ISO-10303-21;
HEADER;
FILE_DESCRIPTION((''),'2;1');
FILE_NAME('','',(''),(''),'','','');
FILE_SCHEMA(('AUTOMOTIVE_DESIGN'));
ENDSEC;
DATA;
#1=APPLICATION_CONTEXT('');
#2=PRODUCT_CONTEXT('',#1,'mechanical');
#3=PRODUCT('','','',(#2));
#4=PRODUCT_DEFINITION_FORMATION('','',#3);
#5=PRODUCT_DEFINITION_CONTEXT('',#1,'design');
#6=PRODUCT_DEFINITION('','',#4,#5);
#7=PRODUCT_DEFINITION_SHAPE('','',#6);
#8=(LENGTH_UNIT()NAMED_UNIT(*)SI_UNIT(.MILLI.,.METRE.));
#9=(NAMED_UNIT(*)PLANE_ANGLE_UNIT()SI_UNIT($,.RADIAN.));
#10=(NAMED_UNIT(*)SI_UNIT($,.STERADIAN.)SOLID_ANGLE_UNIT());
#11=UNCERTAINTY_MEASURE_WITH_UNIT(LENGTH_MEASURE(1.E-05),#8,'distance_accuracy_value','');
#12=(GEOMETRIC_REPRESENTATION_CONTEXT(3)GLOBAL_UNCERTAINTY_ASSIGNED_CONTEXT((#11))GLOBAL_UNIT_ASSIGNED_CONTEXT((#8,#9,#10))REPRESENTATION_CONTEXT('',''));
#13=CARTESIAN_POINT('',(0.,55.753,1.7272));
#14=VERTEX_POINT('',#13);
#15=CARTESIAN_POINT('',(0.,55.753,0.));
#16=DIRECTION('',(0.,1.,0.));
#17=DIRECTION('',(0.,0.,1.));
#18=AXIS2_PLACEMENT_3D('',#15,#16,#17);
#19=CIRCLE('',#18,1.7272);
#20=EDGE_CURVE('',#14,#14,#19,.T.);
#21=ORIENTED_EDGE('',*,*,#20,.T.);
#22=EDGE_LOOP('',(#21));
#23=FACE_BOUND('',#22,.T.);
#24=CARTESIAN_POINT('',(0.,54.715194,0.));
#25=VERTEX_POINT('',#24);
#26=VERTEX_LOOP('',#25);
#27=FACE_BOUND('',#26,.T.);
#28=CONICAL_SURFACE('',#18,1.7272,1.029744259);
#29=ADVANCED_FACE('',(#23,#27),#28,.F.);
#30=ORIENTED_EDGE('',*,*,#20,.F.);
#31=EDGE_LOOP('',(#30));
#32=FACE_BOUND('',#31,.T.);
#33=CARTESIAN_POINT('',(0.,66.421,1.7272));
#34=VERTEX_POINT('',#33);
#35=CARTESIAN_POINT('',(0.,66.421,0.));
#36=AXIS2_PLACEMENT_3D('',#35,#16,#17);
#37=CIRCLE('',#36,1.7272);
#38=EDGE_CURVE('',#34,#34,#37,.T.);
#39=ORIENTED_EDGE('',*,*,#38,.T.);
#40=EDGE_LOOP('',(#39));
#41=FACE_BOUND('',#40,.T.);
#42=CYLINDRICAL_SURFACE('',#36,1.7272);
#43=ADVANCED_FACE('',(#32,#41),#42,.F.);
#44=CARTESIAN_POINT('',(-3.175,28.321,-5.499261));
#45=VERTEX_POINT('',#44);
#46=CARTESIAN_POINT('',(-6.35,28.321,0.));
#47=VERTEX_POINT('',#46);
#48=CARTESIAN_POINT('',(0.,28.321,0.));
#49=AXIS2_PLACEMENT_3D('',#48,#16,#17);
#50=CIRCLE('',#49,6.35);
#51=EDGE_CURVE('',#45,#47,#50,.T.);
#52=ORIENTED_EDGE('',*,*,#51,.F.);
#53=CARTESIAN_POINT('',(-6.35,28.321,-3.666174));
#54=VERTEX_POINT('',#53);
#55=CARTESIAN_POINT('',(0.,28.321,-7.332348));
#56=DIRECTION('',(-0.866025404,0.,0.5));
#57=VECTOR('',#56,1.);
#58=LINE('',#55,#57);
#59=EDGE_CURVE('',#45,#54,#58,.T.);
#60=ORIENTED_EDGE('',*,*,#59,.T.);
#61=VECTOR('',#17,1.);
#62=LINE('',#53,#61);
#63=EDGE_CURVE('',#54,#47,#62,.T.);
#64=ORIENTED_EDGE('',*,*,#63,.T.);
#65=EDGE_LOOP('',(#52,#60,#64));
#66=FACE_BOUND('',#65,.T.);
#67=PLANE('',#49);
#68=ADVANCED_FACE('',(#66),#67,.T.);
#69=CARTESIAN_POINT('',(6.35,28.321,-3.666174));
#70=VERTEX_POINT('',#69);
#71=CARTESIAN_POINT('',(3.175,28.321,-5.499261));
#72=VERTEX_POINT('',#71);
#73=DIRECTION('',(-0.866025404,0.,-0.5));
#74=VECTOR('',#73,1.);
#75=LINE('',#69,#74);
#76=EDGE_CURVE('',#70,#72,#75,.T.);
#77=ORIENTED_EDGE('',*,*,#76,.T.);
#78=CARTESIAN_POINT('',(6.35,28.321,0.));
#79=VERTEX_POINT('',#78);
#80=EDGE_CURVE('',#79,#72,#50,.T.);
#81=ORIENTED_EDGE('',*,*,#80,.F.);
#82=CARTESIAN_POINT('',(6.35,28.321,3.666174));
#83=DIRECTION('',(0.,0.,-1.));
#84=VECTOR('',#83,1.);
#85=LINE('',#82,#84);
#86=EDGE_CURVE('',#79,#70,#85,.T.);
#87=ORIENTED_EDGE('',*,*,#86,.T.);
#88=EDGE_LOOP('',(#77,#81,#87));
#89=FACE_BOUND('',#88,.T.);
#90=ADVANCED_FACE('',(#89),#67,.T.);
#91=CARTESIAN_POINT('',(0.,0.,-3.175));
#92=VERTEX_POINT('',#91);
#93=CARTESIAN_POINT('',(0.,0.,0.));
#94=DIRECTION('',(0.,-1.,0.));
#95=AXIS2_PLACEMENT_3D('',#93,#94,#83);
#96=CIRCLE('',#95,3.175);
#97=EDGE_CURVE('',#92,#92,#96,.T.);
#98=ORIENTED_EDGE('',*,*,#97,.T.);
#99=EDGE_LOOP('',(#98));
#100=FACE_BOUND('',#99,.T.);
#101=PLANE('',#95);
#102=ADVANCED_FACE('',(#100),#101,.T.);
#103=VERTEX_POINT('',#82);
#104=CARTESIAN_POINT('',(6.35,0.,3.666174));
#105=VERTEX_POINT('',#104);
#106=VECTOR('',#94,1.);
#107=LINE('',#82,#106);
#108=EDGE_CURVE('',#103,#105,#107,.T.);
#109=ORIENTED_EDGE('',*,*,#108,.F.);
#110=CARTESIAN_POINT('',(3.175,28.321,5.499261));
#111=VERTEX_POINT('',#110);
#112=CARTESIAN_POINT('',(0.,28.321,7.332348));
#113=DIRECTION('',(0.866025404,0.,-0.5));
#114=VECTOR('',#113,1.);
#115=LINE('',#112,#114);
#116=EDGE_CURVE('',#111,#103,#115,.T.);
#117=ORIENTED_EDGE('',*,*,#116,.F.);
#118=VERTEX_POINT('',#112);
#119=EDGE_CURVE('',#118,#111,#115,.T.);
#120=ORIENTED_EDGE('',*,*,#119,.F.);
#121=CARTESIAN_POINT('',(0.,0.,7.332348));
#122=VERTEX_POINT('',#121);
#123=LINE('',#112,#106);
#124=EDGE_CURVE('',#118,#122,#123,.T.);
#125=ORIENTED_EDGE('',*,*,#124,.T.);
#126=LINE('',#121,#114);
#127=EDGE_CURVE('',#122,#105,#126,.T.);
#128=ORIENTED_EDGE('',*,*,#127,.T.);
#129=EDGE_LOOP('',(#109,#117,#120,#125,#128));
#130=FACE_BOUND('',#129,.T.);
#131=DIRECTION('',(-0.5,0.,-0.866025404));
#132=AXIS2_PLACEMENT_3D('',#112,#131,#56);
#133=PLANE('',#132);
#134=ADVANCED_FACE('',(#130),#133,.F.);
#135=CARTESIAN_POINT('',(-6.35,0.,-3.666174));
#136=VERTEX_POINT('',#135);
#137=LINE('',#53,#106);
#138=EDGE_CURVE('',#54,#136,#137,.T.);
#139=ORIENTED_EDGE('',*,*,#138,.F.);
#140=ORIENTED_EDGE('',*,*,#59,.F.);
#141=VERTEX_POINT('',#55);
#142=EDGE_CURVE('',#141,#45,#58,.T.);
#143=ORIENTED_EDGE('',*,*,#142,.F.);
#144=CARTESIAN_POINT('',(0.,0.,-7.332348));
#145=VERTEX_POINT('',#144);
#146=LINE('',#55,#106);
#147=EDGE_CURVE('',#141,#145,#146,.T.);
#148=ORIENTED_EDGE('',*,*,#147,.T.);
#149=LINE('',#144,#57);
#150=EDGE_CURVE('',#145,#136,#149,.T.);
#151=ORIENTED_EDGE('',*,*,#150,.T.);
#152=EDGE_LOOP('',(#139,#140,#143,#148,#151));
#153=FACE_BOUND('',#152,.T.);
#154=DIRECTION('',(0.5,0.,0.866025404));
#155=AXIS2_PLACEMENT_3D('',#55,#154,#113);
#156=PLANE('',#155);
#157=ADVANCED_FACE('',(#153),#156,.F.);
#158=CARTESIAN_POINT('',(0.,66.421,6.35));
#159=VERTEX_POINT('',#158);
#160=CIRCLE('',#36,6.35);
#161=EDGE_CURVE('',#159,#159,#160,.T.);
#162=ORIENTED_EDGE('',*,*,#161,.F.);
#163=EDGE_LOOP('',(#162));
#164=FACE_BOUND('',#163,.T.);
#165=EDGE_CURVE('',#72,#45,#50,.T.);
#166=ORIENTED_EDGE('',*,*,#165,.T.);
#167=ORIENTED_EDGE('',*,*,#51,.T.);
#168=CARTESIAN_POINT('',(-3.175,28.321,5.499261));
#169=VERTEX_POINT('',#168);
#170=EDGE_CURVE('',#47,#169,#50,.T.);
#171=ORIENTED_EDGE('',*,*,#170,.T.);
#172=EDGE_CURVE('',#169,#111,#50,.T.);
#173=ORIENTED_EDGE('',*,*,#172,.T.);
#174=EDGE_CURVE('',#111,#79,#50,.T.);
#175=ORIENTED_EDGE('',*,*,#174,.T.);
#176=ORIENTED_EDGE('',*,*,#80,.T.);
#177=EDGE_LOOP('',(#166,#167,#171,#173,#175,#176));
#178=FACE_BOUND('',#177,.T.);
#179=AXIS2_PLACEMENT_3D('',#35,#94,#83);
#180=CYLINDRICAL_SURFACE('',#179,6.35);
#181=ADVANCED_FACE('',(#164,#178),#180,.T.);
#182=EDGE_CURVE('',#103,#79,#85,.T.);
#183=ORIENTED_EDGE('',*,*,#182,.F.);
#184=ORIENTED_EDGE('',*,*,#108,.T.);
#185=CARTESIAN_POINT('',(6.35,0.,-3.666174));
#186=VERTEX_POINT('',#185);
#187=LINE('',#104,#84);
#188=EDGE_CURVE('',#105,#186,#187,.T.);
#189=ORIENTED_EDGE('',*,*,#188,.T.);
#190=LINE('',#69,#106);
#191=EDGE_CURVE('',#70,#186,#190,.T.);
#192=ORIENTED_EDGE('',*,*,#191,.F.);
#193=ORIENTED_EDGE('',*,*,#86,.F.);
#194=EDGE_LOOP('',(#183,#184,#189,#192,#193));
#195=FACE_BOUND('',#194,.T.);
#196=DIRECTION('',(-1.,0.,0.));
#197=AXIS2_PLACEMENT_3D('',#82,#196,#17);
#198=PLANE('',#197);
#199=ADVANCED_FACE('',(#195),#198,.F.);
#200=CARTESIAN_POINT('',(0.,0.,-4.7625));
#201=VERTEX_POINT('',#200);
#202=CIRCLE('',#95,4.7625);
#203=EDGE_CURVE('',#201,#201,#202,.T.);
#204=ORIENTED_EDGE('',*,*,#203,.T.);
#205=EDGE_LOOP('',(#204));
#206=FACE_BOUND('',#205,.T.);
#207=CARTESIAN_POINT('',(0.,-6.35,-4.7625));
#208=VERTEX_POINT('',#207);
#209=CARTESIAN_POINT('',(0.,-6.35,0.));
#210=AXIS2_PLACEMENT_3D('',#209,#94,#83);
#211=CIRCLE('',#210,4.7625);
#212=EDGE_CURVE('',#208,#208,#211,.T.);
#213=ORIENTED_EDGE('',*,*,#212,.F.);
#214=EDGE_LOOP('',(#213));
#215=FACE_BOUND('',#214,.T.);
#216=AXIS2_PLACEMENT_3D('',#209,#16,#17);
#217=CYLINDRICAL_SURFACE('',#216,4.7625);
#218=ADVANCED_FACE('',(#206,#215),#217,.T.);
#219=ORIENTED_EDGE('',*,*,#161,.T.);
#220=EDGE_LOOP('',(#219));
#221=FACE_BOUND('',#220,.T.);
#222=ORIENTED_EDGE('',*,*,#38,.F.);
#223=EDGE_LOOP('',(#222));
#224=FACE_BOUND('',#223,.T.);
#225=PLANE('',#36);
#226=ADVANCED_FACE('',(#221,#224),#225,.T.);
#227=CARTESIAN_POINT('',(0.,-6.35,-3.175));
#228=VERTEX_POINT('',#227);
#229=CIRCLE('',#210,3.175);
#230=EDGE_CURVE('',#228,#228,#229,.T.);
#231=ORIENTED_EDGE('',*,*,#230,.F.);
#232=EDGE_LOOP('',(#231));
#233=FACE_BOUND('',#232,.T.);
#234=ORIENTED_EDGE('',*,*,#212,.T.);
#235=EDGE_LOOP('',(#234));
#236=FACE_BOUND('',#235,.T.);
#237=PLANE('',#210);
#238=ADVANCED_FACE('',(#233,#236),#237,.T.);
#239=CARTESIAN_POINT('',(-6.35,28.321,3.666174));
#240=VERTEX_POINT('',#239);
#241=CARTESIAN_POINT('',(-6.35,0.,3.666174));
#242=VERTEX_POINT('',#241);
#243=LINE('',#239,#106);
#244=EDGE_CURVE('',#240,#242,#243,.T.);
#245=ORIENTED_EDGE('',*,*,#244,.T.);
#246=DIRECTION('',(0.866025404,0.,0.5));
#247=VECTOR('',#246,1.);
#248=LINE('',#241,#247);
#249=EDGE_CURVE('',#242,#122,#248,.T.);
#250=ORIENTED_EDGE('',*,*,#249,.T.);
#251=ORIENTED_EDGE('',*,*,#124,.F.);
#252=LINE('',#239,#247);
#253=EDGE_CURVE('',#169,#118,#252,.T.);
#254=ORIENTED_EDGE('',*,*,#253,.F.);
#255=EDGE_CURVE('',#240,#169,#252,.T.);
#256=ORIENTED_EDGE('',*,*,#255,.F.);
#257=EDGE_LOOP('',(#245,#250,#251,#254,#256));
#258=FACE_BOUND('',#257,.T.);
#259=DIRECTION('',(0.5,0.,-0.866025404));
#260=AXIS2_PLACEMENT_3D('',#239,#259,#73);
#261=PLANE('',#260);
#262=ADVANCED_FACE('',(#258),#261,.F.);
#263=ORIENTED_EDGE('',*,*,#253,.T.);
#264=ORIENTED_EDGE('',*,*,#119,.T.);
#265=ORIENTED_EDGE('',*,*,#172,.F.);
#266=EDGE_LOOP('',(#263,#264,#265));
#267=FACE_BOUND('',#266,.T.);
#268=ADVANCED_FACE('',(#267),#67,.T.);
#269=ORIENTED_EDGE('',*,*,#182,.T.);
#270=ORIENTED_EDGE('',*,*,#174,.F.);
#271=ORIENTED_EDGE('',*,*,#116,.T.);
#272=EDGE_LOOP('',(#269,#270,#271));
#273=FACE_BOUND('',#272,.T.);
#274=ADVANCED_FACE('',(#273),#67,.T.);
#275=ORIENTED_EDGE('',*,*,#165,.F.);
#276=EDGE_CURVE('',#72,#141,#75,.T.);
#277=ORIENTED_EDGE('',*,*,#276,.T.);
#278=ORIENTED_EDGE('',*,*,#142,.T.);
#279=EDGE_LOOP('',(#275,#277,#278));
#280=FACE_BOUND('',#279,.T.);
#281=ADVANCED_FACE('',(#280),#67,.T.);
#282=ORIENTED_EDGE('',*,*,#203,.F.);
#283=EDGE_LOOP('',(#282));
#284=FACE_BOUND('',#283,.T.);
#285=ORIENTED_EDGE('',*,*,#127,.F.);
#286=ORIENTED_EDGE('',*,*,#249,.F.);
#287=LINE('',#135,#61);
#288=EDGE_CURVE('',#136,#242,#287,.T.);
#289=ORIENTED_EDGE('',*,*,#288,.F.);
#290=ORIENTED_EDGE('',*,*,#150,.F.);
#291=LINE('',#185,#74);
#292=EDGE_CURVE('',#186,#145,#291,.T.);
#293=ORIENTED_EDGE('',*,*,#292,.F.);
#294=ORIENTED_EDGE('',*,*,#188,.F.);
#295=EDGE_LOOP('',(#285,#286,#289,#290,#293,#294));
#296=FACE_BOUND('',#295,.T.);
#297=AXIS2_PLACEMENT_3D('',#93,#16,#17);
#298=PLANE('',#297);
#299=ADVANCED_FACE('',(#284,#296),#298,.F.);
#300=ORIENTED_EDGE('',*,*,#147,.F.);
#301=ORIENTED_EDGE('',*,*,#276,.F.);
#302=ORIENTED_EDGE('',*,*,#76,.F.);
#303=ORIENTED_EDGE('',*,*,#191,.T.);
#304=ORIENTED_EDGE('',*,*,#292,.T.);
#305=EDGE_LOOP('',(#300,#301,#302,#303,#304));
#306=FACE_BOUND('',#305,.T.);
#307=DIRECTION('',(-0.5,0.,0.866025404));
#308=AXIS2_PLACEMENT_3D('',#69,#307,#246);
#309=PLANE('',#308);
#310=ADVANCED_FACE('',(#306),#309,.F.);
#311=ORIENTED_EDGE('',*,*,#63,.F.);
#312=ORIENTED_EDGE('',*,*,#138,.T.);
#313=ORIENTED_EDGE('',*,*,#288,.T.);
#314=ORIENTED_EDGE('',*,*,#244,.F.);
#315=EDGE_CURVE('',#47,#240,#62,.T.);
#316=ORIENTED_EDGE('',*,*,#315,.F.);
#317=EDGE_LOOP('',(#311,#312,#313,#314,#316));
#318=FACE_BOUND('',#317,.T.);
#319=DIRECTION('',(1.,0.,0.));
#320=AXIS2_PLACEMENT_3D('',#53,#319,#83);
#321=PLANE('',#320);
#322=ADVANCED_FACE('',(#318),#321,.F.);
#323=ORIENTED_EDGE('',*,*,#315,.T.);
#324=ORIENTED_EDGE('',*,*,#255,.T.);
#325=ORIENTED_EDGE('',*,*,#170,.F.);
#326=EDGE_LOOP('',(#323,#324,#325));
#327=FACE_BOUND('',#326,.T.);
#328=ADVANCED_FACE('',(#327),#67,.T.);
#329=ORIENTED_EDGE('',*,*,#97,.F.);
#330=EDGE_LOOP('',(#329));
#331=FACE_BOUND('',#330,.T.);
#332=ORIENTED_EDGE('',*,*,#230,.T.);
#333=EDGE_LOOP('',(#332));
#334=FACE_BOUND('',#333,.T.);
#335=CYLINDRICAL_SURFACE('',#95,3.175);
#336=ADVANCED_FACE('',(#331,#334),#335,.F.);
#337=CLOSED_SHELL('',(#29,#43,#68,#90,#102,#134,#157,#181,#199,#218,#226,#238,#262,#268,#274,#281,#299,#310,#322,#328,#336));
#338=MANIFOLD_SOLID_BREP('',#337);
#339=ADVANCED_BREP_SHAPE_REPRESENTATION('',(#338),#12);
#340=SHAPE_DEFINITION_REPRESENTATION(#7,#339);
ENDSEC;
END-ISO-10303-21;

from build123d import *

# Parameters (mm, degrees)
BOSS_EXTRUDE1_DEPTH       = 28.321
SKETCH2_R                 = 4.7625
BOSS_EXTRUDE2_DEPTH       = 6.35
SKETCH3_R                 = 6.35
BOSS_EXTRUDE3_DEPTH       = 38.1
F_8_32_TAPPED_HOLE1_D     = 3.4544
F_8_32_TAPPED_HOLE1_DEPTH = 10.668
F_8_32_TAPPED_HOLE1_TIP   = 1.037806461
SKETCH7_R                 = 3.175
CUT_EXTRUDE2_DEPTH        = 6.35


with BuildPart() as part:
    # Sketch1 → Boss-Extrude1 (new body)
    with BuildSketch(Plane(origin=(0, 0, 0), x_dir=(1, 0, 0), z_dir=(0, 1, 0))):
        Polygon((6.35, -3.666174209), (6.35, 3.666174209), (0, 7.332348419), (-6.35, 3.666174209), (-6.35, -3.666174209), (0, -7.332348419), align=None)
    extrude(amount=BOSS_EXTRUDE1_DEPTH)

    # Sketch2 → Boss-Extrude2 (add)
    with BuildSketch(Plane.XZ):
        Circle(SKETCH2_R)
    extrude(amount=BOSS_EXTRUDE2_DEPTH)

    # Sketch3 → Boss-Extrude3 (add)
    with BuildSketch(Plane(origin=(0, 28.321, 0), x_dir=(1, 0, 0), z_dir=(0, 1, 0))):
        Circle(SKETCH3_R)
    extrude(amount=BOSS_EXTRUDE3_DEPTH)

    # #8-32 Tapped Hole1
    with Locations(Plane(origin=(0, 66.421, 0), x_dir=(1, 0, 0), z_dir=(0, 1, 0))):
        with Locations((0, 0)):
            Hole(F_8_32_TAPPED_HOLE1_D / 2, depth=F_8_32_TAPPED_HOLE1_DEPTH)
            with Locations((0, 0, -(F_8_32_TAPPED_HOLE1_DEPTH + F_8_32_TAPPED_HOLE1_TIP / 2))):  # 118° drill point
                Cone(0, F_8_32_TAPPED_HOLE1_D / 2, F_8_32_TAPPED_HOLE1_TIP, mode=Mode.SUBTRACT)

    # Sketch7 → Cut-Extrude2 (cut)
    with BuildSketch(Plane.XZ.offset(6.35)):
        Circle(SKETCH7_R)
    extrude(amount=-CUT_EXTRUDE2_DEPTH, mode=Mode.SUBTRACT)


solid = part.part
